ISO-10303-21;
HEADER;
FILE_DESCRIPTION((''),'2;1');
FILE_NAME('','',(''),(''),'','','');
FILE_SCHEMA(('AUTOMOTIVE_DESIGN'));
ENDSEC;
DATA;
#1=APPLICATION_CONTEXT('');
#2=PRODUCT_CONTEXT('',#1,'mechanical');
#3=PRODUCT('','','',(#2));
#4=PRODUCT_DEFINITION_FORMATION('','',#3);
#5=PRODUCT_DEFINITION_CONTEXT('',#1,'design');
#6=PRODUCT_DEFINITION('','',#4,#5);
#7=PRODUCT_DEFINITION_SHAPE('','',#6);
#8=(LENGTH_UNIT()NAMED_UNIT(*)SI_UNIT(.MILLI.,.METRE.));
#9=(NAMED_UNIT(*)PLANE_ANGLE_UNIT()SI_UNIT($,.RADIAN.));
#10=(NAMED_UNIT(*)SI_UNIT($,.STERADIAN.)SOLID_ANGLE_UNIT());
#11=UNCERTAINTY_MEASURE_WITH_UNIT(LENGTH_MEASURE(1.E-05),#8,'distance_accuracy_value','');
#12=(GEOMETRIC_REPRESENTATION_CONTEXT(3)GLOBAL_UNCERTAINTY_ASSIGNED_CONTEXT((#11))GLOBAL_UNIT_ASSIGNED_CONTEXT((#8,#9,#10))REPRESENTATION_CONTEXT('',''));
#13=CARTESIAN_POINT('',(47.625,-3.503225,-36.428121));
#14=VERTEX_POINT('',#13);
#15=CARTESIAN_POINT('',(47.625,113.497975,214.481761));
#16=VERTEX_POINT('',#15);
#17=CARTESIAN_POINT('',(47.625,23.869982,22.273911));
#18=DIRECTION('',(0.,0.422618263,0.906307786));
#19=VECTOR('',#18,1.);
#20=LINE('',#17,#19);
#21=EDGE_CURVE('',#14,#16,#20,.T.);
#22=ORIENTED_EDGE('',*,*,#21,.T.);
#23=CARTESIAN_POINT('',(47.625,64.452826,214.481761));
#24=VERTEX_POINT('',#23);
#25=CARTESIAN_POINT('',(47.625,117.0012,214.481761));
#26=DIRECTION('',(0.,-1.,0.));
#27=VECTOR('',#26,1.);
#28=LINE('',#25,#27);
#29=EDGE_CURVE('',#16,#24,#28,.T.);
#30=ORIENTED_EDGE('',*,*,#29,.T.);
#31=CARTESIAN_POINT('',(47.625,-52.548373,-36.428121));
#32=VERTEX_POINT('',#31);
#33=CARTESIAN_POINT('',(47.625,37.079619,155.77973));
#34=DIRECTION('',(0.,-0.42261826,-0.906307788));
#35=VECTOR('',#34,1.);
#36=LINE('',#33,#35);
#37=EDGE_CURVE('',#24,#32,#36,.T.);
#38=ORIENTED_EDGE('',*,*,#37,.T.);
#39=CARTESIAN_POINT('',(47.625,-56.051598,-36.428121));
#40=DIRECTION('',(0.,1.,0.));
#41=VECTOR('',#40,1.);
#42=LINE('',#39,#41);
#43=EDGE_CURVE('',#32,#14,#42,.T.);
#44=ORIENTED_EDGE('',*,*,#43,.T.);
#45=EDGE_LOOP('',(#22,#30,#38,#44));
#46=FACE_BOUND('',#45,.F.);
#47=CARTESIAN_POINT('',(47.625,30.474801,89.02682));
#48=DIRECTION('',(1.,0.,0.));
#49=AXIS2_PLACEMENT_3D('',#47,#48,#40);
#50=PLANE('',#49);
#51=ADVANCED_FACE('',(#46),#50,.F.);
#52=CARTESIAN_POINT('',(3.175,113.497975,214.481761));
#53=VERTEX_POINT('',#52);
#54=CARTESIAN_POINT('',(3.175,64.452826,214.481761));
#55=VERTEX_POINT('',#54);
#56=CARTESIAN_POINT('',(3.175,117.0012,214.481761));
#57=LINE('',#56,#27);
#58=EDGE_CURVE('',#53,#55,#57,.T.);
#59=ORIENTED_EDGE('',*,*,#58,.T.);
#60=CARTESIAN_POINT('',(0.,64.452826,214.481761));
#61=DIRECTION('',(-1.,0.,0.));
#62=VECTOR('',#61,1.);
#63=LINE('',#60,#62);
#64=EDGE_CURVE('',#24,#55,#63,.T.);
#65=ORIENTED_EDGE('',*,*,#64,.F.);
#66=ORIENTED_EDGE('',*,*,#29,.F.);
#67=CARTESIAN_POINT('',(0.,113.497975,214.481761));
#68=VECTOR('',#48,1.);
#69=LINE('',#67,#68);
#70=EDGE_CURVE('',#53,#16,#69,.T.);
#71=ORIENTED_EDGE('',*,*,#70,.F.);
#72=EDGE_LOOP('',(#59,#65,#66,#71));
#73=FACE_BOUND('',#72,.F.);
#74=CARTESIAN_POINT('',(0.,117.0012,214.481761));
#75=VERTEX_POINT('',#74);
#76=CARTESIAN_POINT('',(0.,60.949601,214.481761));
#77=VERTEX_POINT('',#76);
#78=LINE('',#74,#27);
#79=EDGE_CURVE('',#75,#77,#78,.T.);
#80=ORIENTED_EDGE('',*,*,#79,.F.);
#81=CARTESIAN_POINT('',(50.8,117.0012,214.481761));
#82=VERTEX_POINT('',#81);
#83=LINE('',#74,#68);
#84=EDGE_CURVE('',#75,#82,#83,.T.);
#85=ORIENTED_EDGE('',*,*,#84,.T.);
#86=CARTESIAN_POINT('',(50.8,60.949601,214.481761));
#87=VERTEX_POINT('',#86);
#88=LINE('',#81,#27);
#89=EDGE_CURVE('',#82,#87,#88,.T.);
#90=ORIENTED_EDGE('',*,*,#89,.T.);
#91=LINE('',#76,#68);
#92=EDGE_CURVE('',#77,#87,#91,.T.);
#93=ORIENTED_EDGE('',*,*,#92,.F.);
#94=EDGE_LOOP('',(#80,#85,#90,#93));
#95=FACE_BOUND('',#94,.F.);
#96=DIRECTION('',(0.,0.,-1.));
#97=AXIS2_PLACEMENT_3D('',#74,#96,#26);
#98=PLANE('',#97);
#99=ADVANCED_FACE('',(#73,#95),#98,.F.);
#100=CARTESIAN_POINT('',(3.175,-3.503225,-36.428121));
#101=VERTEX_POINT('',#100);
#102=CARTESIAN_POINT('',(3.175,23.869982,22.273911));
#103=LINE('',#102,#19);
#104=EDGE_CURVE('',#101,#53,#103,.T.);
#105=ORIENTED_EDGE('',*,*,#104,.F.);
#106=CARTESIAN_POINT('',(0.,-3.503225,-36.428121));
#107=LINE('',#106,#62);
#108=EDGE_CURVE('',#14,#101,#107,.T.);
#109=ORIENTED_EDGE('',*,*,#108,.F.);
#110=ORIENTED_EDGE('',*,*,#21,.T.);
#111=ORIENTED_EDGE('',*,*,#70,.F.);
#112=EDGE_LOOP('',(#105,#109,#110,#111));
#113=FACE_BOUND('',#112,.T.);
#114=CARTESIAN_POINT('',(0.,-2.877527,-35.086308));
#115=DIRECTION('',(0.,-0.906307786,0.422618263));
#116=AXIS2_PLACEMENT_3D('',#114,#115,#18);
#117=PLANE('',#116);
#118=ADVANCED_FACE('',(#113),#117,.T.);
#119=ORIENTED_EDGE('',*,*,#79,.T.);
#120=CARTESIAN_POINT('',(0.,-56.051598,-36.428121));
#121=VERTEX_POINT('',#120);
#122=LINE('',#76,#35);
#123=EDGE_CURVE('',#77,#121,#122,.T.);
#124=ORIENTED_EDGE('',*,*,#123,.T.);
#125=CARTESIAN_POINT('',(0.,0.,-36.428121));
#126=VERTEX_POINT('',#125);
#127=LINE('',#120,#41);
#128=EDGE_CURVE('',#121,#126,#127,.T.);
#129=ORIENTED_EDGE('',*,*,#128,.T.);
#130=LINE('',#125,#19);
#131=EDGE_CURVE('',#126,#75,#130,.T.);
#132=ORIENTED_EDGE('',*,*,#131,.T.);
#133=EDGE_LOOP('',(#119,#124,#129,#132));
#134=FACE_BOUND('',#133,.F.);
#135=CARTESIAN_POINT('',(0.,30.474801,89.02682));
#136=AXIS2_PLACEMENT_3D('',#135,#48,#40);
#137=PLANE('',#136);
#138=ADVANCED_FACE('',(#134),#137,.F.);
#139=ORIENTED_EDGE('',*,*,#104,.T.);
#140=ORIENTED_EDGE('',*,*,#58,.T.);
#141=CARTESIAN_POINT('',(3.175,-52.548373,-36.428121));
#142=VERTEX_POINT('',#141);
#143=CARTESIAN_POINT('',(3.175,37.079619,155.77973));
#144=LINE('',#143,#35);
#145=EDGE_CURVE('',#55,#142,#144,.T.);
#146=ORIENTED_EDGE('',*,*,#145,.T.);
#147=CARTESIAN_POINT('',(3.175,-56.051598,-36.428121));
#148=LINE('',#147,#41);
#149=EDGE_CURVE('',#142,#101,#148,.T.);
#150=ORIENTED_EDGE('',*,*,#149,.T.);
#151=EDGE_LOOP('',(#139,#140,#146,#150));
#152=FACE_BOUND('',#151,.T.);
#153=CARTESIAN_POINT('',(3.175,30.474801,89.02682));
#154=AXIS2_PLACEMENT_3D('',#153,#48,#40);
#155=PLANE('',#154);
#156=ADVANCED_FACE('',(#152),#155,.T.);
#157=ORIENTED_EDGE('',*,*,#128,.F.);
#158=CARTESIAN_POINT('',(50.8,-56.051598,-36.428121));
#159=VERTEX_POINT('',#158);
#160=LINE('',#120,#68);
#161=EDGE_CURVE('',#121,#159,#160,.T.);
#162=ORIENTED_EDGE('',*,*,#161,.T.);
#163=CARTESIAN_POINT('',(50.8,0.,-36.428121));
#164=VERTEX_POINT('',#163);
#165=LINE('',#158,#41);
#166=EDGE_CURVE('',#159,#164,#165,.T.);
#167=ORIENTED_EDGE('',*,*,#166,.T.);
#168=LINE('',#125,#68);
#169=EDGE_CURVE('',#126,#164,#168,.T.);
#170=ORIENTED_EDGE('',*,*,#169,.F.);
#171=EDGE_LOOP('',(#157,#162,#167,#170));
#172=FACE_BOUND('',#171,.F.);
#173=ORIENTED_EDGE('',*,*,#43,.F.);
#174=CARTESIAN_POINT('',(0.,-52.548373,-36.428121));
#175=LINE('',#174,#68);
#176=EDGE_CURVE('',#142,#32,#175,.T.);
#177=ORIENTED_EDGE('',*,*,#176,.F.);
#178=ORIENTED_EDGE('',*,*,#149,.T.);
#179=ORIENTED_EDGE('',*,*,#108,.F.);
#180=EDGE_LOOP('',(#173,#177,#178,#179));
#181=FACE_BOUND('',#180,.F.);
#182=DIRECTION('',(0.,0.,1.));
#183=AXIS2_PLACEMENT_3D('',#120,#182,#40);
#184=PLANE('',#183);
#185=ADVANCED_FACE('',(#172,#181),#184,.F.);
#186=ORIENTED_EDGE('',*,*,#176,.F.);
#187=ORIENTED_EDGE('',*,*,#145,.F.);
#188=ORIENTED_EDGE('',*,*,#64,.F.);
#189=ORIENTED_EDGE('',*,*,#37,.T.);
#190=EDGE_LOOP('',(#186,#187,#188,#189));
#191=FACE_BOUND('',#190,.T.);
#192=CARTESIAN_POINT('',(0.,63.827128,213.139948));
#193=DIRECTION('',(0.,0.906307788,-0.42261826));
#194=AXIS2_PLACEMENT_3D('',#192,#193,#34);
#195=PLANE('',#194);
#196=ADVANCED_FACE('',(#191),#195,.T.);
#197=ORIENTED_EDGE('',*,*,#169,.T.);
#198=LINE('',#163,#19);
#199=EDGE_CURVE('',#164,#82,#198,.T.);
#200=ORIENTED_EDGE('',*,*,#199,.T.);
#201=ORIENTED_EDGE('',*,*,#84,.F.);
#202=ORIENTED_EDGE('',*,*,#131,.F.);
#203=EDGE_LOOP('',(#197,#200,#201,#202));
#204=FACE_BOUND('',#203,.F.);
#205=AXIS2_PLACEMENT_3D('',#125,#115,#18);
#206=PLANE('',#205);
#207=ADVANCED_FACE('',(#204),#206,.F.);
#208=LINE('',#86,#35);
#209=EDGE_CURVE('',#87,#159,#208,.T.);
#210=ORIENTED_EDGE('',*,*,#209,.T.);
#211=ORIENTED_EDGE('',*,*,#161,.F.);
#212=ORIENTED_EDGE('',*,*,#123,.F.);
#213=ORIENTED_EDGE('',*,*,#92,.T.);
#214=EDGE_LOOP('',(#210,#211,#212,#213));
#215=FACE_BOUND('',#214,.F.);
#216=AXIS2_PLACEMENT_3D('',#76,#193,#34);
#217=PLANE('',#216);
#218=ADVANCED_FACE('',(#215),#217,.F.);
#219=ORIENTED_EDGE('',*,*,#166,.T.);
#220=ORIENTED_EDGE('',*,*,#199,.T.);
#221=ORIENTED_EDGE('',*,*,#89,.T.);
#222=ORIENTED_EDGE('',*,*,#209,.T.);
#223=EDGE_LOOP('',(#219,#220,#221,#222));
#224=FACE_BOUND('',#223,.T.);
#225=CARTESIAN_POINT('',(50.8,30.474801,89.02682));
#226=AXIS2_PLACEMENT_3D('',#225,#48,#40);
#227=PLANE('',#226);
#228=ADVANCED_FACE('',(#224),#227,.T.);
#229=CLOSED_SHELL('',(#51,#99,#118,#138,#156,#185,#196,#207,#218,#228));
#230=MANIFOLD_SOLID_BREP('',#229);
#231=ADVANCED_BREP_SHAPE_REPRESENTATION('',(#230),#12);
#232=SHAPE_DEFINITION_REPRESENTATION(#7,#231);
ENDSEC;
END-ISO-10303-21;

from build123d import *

# Parameters (mm, degrees)
F1_DEPTH = 50.8
F2_T     = -3.175


with BuildPart() as f1:
    # F0 (on Right) → F1 (new body)
    with BuildSketch(Plane.YZ):
        Polygon((0, -36.428121), (117.0012, 214.481761), (60.949601, 214.481761), (-56.051598, -36.428121), align=None)
    extrude(amount=F1_DEPTH)

    # F2
    f2_openings = [f1.faces().sort_by_distance(p)[0] for p in [
        (25.4, -28.025799, -36.428121),
        (25.4, 88.975401, 214.481761),
    ]]
    offset(amount=F2_T, openings=f2_openings)


solid = f1.part
